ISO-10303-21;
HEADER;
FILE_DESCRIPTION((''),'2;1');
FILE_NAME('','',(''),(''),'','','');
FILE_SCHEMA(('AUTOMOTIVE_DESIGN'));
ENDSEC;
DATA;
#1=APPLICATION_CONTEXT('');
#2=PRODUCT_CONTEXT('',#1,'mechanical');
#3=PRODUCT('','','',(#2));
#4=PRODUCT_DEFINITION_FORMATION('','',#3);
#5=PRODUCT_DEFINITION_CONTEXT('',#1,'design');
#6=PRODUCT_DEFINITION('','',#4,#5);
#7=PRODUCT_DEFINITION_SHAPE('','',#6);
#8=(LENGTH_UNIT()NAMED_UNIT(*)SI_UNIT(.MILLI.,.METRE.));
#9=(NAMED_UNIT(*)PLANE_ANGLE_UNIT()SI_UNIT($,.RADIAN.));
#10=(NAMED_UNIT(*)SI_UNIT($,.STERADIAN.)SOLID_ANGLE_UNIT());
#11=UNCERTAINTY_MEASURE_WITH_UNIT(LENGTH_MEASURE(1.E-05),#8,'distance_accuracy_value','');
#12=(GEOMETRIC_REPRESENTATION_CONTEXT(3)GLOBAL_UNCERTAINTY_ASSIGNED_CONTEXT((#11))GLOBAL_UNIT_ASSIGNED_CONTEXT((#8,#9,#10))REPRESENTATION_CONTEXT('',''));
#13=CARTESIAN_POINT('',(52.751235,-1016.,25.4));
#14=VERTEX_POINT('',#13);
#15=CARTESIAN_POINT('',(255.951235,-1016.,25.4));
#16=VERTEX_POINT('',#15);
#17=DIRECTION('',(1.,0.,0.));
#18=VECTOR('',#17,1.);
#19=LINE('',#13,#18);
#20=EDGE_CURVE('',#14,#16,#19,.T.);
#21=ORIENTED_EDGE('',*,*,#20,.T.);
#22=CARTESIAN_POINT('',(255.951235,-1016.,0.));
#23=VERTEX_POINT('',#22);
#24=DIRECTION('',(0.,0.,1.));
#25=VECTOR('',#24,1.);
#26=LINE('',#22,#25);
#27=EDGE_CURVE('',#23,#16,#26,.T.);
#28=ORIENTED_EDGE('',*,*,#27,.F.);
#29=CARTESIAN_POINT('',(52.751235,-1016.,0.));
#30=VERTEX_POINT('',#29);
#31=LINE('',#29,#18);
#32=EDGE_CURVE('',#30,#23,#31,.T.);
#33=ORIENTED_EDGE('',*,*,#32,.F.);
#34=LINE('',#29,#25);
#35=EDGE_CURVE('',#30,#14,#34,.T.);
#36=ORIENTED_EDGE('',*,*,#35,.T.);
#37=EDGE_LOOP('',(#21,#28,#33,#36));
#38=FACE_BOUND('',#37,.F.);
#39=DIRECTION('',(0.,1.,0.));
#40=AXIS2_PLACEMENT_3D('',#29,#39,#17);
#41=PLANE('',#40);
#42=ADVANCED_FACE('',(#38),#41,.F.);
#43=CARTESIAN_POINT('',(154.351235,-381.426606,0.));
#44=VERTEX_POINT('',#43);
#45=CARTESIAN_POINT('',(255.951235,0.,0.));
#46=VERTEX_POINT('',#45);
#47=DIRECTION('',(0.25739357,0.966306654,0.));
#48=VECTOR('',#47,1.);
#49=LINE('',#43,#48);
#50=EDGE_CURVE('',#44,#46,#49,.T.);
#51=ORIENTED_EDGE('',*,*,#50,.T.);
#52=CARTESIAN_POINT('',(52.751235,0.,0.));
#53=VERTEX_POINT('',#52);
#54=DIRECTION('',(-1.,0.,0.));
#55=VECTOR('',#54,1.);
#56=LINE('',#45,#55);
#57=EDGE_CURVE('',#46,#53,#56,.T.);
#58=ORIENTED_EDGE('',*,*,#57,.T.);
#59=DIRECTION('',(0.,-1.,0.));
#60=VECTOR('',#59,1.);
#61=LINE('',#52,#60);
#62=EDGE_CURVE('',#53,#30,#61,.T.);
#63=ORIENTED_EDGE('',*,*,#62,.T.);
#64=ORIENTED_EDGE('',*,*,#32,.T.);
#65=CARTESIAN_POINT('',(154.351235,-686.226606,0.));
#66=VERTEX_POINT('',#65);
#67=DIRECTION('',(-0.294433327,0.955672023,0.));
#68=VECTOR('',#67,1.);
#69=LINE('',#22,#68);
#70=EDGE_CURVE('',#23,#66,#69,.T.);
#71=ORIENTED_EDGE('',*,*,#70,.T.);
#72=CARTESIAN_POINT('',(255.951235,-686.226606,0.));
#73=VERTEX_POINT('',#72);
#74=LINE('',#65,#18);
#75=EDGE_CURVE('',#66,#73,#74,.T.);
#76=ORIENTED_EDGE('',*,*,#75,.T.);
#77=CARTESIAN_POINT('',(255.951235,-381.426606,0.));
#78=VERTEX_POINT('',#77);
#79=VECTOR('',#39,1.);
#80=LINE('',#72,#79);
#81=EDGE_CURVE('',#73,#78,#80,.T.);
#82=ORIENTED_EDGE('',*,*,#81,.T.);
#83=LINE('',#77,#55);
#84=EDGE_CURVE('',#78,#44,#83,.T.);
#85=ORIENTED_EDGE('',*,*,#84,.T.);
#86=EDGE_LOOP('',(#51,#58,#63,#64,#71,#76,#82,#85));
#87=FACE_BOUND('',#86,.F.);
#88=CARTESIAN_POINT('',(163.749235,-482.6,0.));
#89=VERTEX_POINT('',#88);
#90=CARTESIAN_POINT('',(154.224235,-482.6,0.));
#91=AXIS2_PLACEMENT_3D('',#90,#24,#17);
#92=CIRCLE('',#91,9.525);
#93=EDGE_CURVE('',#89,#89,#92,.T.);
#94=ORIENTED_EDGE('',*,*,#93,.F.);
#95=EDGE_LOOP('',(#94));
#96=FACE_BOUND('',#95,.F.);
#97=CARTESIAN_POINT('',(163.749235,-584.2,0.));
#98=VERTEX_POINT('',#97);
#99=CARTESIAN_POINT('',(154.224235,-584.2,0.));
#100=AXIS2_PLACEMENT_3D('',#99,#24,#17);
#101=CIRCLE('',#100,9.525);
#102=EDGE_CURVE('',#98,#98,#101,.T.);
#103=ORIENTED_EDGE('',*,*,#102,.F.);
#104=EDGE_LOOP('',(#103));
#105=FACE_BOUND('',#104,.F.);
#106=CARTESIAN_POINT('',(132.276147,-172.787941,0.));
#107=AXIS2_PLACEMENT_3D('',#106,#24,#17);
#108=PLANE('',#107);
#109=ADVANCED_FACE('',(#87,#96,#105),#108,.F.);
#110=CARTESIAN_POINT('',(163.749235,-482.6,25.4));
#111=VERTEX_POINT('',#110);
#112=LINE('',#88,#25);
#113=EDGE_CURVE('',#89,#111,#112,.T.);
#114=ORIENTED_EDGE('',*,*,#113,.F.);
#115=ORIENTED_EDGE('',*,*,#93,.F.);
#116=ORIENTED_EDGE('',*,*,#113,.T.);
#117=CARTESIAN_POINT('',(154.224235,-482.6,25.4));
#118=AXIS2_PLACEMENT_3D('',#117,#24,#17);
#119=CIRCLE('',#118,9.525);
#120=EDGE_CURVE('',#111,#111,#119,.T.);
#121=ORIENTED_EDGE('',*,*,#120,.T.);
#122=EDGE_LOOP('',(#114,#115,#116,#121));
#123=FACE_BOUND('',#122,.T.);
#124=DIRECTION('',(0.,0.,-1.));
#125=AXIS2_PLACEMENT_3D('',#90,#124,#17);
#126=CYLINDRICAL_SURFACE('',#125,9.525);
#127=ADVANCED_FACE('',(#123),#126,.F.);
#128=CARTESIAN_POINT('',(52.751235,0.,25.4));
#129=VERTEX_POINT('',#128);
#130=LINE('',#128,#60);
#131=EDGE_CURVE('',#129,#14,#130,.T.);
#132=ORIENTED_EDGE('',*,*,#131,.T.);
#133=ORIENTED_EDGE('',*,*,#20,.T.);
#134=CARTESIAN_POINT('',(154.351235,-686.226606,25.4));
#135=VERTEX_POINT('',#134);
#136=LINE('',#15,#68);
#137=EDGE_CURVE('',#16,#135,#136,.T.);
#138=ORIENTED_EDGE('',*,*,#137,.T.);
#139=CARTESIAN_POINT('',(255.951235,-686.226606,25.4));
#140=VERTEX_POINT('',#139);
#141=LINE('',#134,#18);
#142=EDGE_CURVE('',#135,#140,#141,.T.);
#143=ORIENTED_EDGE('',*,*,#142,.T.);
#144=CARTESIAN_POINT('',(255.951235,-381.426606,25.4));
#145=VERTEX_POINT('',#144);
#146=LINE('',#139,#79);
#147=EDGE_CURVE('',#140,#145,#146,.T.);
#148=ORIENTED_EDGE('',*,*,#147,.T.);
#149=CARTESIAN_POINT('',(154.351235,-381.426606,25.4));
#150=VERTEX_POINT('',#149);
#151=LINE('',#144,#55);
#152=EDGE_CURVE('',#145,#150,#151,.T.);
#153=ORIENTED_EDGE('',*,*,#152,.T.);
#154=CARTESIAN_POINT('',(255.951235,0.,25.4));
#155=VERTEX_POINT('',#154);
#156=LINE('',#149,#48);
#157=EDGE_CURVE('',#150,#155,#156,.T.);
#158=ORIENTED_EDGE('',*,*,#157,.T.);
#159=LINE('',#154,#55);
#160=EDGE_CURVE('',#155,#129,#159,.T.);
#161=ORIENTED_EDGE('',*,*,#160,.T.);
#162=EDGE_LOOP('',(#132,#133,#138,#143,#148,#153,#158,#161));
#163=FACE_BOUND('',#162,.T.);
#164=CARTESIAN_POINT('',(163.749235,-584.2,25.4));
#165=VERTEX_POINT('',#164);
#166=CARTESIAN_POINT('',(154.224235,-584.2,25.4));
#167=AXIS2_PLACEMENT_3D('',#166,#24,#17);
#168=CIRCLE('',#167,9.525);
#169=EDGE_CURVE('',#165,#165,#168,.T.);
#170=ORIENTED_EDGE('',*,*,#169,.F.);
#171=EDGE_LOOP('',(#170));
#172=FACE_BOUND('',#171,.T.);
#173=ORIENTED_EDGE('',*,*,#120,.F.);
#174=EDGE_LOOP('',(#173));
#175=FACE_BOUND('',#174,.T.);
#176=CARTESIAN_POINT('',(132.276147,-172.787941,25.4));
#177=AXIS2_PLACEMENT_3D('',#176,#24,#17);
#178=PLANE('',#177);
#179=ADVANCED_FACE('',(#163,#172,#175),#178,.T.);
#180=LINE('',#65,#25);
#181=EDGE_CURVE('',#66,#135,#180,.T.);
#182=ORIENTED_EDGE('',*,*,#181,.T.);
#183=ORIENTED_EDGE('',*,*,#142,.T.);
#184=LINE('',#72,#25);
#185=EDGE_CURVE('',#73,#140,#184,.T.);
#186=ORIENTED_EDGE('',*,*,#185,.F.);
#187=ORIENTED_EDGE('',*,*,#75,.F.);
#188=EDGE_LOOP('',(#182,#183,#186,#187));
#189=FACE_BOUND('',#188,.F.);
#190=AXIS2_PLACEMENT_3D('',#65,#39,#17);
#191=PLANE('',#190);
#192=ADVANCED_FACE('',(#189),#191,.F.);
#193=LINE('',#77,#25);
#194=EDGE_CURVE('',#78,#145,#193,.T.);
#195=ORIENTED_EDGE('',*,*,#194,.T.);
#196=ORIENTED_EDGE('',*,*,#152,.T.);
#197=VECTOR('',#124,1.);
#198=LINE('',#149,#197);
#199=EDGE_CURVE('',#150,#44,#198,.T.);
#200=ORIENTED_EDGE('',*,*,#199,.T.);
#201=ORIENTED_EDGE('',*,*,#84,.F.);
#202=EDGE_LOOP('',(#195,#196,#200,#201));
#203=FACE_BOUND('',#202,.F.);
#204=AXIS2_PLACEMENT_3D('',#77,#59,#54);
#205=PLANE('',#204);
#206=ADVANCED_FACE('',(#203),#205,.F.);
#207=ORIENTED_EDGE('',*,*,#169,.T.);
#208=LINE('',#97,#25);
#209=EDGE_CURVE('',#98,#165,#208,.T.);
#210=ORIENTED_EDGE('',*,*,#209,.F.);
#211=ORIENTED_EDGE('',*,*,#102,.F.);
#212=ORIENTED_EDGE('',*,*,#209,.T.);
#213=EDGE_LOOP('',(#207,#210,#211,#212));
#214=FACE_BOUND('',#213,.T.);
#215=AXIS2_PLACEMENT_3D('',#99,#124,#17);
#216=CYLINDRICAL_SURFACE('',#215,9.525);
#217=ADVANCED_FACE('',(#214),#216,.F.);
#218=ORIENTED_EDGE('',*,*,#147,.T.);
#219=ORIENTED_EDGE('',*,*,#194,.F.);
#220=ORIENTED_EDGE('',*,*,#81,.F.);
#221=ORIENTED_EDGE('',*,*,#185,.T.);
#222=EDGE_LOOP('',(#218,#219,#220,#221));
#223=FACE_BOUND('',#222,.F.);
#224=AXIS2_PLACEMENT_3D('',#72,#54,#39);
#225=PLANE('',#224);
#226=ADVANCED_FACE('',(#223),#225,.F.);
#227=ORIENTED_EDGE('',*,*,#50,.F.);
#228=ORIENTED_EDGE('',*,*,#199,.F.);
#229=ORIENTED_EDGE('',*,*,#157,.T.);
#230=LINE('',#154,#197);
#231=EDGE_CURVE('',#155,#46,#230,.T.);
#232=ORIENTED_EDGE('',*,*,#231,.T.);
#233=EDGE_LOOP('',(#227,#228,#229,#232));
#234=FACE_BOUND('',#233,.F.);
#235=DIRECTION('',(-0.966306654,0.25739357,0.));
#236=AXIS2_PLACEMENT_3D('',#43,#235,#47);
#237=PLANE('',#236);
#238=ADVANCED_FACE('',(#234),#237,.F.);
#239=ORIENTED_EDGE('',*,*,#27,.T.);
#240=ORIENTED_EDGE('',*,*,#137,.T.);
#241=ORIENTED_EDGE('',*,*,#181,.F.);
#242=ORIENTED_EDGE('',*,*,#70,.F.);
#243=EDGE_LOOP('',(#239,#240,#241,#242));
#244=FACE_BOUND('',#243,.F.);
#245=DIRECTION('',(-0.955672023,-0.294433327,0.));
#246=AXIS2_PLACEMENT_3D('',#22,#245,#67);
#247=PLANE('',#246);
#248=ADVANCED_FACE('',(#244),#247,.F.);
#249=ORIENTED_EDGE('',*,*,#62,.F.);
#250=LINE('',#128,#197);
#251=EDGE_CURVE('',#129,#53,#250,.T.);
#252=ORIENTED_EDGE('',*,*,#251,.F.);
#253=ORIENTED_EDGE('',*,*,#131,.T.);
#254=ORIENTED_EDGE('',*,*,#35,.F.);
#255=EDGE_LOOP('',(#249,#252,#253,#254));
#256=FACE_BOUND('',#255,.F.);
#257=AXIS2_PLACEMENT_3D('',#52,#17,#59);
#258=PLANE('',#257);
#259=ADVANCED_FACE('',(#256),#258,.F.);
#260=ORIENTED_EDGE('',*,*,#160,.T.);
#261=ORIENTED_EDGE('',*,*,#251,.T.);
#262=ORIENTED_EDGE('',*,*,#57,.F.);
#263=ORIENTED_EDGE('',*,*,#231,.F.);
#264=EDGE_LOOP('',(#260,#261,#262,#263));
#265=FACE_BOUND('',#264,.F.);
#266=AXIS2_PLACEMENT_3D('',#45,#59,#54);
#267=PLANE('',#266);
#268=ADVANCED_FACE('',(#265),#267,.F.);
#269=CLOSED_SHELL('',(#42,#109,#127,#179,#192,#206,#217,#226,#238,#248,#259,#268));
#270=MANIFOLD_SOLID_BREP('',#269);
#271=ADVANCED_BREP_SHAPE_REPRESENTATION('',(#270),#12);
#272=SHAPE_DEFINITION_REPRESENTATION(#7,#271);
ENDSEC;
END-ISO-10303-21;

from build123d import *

# Parameters (mm, degrees)
F1_DEPTH = 19.05
F0_R     = 9.525
F2_DEPTH = 25.4


with BuildPart() as f1:
    # F0 (on Top) → F1 (new body)
    with BuildSketch(Plane.XY):
        Polygon((154.2242345231, 0), (52.7512345231, 0), (52.7512345231, -381.426606369), (154.3512345231, -381.426606369), (255.9512345231, 0), align=None)
    extrude(amount=F1_DEPTH)

    # F0 (on Top) → F2 (join)
    with BuildSketch(Plane.XY):
        Polygon((154.2242345231, 0), (52.7512345231, 0), (52.7512345231, -381.426606369), (154.3512345231, -381.426606369), (255.9512345231, 0), align=None)
        Polygon((154.3512345231, -686.226606369), (52.7512345231, -686.226606369), (52.7512345231, -1016), (154.2242345231, -1016), (255.9512345231, -1016), align=None)
        Polygon((154.3512345231, -381.426606369), (52.7512345231, -381.426606369), (52.7512345231, -686.226606369), (154.3512345231, -686.226606369), (255.9512345231, -686.226606369), (255.9512345231, -381.426606369), align=None)
        with Locations((154.2242345231, -584.2)):
            Circle(F0_R, mode=Mode.SUBTRACT)
        with Locations((154.2242345231, -482.6)):
            Circle(F0_R, mode=Mode.SUBTRACT)
    extrude(amount=F2_DEPTH)


solid = f1.part
